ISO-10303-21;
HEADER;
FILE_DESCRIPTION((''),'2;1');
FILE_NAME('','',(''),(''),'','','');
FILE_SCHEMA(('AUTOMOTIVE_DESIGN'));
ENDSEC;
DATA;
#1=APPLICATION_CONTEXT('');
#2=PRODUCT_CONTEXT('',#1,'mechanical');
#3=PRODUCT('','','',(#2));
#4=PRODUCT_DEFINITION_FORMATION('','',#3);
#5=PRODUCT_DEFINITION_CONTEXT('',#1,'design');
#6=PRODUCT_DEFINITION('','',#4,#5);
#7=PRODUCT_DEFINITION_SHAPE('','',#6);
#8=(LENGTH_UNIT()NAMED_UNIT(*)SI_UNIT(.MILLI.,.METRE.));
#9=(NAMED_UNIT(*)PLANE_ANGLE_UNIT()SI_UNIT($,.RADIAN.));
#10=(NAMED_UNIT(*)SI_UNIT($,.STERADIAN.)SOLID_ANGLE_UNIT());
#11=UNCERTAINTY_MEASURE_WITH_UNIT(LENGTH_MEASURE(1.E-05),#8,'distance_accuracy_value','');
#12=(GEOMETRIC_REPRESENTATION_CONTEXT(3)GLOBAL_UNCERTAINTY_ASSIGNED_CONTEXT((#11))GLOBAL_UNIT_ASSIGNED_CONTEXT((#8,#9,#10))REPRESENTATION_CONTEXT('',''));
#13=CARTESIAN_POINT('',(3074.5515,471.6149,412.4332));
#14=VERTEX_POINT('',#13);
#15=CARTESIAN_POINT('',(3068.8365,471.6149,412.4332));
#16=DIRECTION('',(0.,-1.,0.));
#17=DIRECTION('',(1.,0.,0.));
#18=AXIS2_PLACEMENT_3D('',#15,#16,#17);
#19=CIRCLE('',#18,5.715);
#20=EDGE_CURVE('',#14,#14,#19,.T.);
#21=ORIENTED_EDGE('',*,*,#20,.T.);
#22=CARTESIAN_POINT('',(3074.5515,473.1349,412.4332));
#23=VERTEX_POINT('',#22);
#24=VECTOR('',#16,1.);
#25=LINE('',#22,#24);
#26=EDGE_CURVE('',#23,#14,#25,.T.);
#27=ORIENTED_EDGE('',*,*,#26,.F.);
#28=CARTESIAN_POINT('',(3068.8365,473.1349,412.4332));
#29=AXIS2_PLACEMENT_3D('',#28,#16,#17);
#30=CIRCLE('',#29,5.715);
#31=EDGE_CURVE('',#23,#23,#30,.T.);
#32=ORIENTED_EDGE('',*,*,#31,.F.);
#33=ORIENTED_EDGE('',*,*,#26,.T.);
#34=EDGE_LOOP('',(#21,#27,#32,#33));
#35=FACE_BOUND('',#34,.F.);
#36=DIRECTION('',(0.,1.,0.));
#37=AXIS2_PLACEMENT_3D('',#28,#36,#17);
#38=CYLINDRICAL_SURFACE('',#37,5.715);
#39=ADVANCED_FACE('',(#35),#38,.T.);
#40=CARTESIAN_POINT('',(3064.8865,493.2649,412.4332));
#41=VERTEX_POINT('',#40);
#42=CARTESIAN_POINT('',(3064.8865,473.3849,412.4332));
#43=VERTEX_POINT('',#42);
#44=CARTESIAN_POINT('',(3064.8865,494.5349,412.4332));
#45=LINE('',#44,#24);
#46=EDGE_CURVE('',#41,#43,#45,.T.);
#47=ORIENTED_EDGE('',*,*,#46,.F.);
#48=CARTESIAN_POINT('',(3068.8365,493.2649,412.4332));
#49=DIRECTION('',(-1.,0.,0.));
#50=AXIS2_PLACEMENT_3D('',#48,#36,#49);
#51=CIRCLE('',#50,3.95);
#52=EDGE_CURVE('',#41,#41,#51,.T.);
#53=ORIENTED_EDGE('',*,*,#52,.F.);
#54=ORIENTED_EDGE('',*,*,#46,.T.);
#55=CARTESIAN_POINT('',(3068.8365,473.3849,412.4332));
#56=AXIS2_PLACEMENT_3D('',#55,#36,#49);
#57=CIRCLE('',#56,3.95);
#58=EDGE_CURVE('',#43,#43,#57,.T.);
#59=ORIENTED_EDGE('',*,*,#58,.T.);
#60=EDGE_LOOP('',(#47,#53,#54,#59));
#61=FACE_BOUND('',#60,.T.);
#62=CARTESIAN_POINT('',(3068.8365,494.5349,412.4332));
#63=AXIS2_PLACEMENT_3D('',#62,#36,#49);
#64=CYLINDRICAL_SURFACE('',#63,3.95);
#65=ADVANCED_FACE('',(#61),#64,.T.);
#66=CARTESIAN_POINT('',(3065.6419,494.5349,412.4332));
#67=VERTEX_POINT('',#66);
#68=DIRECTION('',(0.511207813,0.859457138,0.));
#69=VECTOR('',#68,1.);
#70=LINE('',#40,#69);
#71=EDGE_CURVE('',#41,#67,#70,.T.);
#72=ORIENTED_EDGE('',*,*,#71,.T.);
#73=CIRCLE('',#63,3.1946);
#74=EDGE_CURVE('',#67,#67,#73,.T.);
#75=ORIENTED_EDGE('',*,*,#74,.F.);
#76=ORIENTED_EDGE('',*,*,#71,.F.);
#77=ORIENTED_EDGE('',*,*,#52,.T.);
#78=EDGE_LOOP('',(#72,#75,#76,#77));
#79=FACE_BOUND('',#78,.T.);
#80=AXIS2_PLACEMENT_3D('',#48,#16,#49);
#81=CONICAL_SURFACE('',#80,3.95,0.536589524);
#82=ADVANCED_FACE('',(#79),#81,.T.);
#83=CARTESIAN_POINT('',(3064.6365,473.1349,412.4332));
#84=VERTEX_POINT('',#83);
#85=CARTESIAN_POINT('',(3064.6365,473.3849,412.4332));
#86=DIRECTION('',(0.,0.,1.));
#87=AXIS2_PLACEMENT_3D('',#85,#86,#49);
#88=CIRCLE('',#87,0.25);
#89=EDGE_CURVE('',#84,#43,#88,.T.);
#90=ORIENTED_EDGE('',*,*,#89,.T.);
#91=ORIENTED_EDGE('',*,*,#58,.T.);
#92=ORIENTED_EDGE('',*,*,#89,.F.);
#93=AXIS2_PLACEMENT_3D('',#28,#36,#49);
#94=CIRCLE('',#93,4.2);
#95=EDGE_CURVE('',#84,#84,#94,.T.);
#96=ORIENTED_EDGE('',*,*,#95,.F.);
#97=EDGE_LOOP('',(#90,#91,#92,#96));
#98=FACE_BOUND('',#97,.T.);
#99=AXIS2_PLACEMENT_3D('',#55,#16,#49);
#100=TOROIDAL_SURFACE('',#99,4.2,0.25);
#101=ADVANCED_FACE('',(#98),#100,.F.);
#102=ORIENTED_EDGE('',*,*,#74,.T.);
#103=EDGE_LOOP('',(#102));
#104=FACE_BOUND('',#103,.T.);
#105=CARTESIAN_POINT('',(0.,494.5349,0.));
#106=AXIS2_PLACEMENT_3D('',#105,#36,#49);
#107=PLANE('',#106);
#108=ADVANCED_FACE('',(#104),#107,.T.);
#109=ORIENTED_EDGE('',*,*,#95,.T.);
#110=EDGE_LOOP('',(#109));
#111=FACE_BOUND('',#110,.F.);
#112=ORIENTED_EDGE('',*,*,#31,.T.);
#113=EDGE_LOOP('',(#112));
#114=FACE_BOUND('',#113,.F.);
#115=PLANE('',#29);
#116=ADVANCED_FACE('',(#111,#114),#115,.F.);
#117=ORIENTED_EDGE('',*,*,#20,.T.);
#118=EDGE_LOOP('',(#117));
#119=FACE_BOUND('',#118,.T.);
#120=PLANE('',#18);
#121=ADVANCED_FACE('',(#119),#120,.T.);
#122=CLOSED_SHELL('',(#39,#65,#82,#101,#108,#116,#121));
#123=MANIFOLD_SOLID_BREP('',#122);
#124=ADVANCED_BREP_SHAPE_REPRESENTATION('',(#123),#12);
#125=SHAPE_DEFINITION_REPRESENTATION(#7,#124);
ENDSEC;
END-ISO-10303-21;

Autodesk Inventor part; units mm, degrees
ref_plane "YZ Plane" through (0, 0, 0) normal (1, 0, 0) x (0, 1, 0)
ref_plane "XY Plane" through (0, 0, 0) normal (0, 0, 1) x (1, 0, 0)
ref_plane "Work Plane2" through (0, 494.5349, 0) normal (0, 1, 0) x (-1, 0, 0)
sketch "Sketch1" plane through (0, 494.5349, 0) normal (0, 1, 0) x (-1, 0, 0)
  circle A0 centre (-3068.8365, 412.4332) radius 3.2
  line L0 (614.5573, 0) -> (-3687.3438, 0) projected
  line L1 (0, -83.2766) -> (0, 499.6599) projected
  circle A1 centre (-3068.8365, 412.4332) radius 3.95
  point P0 (0, 0)
  dimension "d2" = 6.4
  dimension "d3" = 412.4332
  dimension "d4" = 3068.8364
  dimension "d7" = 7.9
extrude "Extrusion1" add sketch "Sketch1" against normal blind 21.4 contours A0 | A1
sketch "Sketch2" plane through (3068.8365, 473.1349, 412.4332) normal (0, -1, 0) x (1, 0, 0)
  circle A0 centre (0, 0) radius 3.95 projected
  circle A1 centre (0, 0) radius 5.715
  dimension "d8" = 11.43
extrude "Extrusion2" add sketch "Sketch2" along normal blind 1.52 contours A0 | A1
fillet "Fillet1" radius 0.25 1 edges at (3072.7865, 473.1349, 412.4332)
chamfer "Chamfer2" distance 1.27 distance2 0.7554 1 edges at (3072.7865, 494.5349, 412.4332) measured on face at (3068.0463, 480.4349, 416.3034)
properties part number "313-04" material "Steel, High Strength Low Alloy"
